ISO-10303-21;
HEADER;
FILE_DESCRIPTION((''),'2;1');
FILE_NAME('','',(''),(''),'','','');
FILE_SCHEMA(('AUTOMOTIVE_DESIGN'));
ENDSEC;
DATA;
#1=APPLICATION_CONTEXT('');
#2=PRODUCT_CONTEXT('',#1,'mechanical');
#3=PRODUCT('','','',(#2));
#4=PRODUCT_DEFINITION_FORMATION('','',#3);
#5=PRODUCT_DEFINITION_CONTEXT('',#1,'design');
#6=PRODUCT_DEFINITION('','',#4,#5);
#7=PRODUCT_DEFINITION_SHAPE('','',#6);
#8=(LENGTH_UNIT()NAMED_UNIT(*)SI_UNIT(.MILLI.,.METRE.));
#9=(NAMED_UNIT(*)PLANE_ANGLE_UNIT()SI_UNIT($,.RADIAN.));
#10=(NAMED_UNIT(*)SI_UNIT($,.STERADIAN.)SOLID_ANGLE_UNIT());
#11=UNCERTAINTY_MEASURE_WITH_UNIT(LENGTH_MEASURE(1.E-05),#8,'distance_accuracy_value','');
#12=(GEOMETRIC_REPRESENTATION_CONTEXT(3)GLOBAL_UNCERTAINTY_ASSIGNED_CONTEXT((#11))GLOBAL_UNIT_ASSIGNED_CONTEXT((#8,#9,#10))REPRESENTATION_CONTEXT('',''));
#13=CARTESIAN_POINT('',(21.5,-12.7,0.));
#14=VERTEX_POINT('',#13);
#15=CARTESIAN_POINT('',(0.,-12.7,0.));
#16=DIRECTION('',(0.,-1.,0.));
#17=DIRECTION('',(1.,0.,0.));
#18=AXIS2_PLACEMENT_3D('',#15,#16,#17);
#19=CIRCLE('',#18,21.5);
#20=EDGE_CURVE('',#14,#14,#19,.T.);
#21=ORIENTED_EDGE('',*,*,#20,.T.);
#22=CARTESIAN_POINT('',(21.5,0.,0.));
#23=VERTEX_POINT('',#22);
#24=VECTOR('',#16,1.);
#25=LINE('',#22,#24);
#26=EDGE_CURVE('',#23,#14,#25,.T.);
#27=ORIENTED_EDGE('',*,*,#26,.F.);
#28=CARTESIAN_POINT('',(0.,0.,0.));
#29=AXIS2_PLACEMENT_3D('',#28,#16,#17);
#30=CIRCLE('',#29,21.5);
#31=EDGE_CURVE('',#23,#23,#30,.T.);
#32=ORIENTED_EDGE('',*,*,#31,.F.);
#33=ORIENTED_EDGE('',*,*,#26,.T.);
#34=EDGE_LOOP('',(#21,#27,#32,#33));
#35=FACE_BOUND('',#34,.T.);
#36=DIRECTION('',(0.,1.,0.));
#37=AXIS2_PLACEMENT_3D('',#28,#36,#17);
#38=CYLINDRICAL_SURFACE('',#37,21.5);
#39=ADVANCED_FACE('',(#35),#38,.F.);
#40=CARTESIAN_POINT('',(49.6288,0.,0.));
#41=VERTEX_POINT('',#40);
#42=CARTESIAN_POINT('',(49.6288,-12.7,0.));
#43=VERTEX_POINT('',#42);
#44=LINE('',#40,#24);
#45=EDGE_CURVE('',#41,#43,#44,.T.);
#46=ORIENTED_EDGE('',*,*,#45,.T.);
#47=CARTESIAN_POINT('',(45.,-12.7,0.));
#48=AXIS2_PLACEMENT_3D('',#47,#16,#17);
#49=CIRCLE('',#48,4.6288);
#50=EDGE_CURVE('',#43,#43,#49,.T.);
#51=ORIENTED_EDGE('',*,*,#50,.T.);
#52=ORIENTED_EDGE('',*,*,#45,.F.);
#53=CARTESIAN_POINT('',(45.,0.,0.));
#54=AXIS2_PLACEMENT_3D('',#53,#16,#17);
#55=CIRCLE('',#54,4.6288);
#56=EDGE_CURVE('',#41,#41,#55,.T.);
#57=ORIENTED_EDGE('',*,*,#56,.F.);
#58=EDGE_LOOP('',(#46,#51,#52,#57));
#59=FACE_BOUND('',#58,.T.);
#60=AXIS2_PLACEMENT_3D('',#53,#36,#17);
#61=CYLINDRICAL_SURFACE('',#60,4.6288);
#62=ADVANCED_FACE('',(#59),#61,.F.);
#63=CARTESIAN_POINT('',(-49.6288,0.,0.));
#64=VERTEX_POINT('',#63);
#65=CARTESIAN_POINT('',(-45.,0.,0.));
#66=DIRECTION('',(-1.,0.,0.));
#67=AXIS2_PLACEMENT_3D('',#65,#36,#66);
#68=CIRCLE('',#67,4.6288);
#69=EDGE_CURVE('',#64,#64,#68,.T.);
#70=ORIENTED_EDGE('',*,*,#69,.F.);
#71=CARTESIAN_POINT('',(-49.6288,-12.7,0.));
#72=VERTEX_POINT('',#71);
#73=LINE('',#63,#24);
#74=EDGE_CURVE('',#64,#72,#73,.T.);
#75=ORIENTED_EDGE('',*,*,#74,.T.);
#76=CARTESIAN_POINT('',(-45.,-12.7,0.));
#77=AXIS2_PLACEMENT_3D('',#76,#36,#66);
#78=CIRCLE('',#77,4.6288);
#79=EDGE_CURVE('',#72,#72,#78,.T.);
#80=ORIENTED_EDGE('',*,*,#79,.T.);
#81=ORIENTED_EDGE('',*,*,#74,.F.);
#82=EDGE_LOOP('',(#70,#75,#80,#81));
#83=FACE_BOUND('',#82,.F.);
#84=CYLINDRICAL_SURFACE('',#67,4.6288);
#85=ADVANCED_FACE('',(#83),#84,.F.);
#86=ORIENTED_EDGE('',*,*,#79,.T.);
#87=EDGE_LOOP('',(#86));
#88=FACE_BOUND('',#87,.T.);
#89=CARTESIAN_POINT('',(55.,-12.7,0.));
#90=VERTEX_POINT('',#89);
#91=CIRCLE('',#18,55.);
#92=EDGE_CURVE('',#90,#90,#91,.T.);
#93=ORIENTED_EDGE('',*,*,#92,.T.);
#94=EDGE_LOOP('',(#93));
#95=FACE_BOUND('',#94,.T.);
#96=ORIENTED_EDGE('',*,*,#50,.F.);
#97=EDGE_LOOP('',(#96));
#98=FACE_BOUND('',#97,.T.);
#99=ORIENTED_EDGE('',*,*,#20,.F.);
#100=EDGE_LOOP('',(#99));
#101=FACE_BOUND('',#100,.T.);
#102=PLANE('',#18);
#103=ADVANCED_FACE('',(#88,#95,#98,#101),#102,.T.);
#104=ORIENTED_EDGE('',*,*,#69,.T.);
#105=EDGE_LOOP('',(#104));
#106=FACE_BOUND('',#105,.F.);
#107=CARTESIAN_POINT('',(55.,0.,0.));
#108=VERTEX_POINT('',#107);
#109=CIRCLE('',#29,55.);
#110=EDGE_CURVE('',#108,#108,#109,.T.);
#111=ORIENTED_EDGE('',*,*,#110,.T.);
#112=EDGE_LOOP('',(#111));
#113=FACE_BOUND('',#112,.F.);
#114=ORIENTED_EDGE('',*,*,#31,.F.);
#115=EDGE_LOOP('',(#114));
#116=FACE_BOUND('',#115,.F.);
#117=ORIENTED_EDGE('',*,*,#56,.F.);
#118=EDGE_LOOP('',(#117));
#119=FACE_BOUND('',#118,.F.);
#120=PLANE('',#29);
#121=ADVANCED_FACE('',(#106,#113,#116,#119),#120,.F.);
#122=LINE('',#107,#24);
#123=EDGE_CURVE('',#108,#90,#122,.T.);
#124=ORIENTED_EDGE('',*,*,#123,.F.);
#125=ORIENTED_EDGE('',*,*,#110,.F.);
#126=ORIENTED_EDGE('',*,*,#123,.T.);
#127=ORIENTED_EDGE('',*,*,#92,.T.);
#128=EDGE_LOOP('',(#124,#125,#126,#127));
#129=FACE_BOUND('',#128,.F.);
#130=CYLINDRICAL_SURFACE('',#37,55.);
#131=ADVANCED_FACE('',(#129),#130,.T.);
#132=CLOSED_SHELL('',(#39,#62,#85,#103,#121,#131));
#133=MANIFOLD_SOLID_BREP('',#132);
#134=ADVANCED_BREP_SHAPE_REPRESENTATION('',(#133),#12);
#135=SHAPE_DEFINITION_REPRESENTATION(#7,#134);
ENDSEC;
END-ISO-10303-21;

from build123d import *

# Parameters (mm, degrees)
F0_R     = 21.5
F0_R_2   = 4.6288
F1_DEPTH = 12.7


with BuildPart() as f1:
    # F0 (on Front) → F1 (new body)
    with BuildSketch(Plane.XZ):
        with BuildLine():
            ThreePointArc((-55, 0), (0, -55), (55, 0))
            ThreePointArc((55, 0), (0, 55), (-55, 0))
        make_face()
        with BuildLine():
            ThreePointArc((-40.3712, 0), (-45, -4.6288), (-49.6288, 0))
            ThreePointArc((-49.6288, 0), (-45, 4.6288), (-40.3712, 0))
        make_face(mode=Mode.SUBTRACT)
        Circle(F0_R, mode=Mode.SUBTRACT)
        with Locations((45, 0)):
            Circle(F0_R_2, mode=Mode.SUBTRACT)
    extrude(amount=F1_DEPTH)


solid = f1.part
